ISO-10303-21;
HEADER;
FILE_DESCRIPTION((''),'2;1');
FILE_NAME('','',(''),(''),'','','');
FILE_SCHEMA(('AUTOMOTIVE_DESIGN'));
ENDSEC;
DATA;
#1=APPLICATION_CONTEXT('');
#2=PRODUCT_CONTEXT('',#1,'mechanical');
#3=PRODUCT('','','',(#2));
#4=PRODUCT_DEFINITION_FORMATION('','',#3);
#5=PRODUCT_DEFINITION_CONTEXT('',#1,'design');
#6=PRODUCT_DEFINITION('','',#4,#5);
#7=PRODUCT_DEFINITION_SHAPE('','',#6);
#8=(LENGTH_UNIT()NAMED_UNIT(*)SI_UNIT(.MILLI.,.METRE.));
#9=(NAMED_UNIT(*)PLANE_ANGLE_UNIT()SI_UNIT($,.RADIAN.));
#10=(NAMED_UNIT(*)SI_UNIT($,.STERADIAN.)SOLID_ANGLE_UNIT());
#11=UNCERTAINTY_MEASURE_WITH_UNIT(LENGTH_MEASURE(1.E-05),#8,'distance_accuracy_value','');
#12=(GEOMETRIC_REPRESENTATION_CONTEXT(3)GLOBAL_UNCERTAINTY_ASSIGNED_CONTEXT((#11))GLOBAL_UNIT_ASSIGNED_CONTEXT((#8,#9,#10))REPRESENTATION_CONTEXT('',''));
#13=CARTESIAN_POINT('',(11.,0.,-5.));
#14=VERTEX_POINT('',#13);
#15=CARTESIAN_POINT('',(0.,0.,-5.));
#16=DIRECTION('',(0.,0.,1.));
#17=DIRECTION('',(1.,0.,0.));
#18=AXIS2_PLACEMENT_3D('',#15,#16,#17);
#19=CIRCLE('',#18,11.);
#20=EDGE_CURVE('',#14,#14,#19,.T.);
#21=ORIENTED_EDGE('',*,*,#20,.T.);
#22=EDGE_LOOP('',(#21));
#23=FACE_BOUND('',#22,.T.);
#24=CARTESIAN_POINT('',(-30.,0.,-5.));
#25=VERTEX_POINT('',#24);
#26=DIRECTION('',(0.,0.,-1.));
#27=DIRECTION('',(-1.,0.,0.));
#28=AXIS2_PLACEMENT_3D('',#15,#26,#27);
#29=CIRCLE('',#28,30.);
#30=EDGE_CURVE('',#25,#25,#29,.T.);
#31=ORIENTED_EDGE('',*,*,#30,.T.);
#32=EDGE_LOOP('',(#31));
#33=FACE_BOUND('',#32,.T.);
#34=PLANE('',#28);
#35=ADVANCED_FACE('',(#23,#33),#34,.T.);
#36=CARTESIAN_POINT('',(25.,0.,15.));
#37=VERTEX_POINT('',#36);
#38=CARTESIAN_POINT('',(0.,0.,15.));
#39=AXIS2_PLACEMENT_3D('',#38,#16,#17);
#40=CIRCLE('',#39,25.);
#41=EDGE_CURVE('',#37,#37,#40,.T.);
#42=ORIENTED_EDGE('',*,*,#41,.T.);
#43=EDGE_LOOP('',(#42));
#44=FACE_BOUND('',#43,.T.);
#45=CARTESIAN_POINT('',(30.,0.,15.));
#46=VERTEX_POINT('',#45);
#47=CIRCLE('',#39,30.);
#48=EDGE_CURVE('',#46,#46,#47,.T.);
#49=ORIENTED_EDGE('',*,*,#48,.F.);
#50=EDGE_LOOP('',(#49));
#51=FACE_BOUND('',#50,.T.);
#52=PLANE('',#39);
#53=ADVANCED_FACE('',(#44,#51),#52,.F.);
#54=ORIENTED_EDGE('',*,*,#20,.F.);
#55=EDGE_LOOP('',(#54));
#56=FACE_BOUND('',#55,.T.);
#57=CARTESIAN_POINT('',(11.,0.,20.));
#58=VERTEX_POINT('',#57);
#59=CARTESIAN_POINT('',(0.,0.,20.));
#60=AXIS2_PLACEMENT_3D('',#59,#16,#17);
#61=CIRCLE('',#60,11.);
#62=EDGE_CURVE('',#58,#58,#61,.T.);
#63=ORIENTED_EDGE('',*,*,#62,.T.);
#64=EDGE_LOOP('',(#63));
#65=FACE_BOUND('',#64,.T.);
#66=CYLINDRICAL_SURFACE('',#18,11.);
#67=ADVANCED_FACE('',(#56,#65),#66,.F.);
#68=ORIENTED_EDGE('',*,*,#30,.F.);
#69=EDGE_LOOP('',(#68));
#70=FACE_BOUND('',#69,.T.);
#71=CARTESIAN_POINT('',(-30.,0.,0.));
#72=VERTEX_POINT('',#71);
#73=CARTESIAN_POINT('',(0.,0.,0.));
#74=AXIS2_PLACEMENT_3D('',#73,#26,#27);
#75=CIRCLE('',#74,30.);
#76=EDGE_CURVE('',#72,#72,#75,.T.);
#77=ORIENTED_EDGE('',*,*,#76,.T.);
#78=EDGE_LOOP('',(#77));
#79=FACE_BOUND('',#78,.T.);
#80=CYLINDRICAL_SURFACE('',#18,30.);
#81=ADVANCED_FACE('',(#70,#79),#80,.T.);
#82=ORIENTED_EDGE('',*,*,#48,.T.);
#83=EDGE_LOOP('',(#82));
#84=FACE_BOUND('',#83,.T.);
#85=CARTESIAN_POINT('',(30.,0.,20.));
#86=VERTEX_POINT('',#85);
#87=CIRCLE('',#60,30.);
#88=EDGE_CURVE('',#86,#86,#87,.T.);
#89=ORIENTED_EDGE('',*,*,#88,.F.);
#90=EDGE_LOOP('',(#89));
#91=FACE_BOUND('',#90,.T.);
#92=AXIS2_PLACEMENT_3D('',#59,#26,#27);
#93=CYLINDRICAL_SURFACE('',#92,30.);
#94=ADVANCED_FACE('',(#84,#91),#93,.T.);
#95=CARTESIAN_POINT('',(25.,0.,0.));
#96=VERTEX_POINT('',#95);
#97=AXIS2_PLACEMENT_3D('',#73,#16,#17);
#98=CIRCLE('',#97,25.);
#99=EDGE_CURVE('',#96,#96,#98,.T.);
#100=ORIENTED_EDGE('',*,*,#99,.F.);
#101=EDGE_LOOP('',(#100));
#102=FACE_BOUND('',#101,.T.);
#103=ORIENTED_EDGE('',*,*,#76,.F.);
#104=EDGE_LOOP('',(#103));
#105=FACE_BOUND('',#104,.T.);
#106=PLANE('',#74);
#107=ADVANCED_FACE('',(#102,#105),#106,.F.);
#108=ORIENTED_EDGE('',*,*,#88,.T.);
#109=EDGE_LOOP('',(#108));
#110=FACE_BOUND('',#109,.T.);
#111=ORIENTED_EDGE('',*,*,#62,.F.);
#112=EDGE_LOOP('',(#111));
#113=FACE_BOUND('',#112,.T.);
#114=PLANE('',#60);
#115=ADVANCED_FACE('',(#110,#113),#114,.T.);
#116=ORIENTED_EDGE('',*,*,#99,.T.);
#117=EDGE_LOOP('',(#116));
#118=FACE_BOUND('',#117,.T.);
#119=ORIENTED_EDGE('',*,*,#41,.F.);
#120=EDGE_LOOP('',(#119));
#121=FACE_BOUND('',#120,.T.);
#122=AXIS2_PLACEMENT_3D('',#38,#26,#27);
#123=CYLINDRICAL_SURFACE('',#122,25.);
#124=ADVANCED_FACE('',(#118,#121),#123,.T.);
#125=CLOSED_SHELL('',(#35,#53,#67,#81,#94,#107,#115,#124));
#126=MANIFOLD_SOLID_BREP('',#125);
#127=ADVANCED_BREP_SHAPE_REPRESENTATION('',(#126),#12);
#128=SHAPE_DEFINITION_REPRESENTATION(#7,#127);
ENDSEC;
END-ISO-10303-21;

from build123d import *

# Parameters (mm, degrees)
IZIM1_R                     = 25
Y_KSEKLIK_EKSTR_ZYON1_DEPTH = 15
IZIM3_R                     = 30
Y_KSEKLIK_EKSTR_ZYON2_DEPTH = 5
Y_KSEKLIK_EKSTR_ZYON3_START = 5
IZIM4_R                     = 30
Y_KSEKLIK_EKSTR_ZYON3_DEPTH = 5
IZIM5_R                     = 11
KES_EKSTR_ZYON1_DEPTH       = 50.244289009


with BuildPart() as part:
    # Çizim1 → Yükseklik-Ekstrüzyon1 (new body)
    with BuildSketch(Plane.XY):
        Circle(IZIM1_R)
    extrude(amount=Y_KSEKLIK_EKSTR_ZYON1_DEPTH)

    # Çizim3 → Yükseklik-Ekstrüzyon2 (add)
    with BuildSketch(Plane(origin=(0, 0, 0), x_dir=(-1, 0, 0), z_dir=(0, 0, -1))):
        Circle(IZIM3_R)
    extrude(amount=Y_KSEKLIK_EKSTR_ZYON2_DEPTH)

    # Çizim4 → Yükseklik-Ekstrüzyon3 (add)
    with BuildSketch(Plane.XY.offset(15).offset(Y_KSEKLIK_EKSTR_ZYON3_START)):
        with Locations(Location((0, 0, 0), (0, 0, 180))):
            Circle(IZIM4_R)
    extrude(amount=-Y_KSEKLIK_EKSTR_ZYON3_DEPTH)

    # Çizim5 → Kes-Ekstrüzyon1 (cut, through all)
    with BuildSketch(Plane.XY.offset(20)):
        Circle(IZIM5_R)
    extrude(amount=-KES_EKSTR_ZYON1_DEPTH, mode=Mode.SUBTRACT)


solid = part.part
